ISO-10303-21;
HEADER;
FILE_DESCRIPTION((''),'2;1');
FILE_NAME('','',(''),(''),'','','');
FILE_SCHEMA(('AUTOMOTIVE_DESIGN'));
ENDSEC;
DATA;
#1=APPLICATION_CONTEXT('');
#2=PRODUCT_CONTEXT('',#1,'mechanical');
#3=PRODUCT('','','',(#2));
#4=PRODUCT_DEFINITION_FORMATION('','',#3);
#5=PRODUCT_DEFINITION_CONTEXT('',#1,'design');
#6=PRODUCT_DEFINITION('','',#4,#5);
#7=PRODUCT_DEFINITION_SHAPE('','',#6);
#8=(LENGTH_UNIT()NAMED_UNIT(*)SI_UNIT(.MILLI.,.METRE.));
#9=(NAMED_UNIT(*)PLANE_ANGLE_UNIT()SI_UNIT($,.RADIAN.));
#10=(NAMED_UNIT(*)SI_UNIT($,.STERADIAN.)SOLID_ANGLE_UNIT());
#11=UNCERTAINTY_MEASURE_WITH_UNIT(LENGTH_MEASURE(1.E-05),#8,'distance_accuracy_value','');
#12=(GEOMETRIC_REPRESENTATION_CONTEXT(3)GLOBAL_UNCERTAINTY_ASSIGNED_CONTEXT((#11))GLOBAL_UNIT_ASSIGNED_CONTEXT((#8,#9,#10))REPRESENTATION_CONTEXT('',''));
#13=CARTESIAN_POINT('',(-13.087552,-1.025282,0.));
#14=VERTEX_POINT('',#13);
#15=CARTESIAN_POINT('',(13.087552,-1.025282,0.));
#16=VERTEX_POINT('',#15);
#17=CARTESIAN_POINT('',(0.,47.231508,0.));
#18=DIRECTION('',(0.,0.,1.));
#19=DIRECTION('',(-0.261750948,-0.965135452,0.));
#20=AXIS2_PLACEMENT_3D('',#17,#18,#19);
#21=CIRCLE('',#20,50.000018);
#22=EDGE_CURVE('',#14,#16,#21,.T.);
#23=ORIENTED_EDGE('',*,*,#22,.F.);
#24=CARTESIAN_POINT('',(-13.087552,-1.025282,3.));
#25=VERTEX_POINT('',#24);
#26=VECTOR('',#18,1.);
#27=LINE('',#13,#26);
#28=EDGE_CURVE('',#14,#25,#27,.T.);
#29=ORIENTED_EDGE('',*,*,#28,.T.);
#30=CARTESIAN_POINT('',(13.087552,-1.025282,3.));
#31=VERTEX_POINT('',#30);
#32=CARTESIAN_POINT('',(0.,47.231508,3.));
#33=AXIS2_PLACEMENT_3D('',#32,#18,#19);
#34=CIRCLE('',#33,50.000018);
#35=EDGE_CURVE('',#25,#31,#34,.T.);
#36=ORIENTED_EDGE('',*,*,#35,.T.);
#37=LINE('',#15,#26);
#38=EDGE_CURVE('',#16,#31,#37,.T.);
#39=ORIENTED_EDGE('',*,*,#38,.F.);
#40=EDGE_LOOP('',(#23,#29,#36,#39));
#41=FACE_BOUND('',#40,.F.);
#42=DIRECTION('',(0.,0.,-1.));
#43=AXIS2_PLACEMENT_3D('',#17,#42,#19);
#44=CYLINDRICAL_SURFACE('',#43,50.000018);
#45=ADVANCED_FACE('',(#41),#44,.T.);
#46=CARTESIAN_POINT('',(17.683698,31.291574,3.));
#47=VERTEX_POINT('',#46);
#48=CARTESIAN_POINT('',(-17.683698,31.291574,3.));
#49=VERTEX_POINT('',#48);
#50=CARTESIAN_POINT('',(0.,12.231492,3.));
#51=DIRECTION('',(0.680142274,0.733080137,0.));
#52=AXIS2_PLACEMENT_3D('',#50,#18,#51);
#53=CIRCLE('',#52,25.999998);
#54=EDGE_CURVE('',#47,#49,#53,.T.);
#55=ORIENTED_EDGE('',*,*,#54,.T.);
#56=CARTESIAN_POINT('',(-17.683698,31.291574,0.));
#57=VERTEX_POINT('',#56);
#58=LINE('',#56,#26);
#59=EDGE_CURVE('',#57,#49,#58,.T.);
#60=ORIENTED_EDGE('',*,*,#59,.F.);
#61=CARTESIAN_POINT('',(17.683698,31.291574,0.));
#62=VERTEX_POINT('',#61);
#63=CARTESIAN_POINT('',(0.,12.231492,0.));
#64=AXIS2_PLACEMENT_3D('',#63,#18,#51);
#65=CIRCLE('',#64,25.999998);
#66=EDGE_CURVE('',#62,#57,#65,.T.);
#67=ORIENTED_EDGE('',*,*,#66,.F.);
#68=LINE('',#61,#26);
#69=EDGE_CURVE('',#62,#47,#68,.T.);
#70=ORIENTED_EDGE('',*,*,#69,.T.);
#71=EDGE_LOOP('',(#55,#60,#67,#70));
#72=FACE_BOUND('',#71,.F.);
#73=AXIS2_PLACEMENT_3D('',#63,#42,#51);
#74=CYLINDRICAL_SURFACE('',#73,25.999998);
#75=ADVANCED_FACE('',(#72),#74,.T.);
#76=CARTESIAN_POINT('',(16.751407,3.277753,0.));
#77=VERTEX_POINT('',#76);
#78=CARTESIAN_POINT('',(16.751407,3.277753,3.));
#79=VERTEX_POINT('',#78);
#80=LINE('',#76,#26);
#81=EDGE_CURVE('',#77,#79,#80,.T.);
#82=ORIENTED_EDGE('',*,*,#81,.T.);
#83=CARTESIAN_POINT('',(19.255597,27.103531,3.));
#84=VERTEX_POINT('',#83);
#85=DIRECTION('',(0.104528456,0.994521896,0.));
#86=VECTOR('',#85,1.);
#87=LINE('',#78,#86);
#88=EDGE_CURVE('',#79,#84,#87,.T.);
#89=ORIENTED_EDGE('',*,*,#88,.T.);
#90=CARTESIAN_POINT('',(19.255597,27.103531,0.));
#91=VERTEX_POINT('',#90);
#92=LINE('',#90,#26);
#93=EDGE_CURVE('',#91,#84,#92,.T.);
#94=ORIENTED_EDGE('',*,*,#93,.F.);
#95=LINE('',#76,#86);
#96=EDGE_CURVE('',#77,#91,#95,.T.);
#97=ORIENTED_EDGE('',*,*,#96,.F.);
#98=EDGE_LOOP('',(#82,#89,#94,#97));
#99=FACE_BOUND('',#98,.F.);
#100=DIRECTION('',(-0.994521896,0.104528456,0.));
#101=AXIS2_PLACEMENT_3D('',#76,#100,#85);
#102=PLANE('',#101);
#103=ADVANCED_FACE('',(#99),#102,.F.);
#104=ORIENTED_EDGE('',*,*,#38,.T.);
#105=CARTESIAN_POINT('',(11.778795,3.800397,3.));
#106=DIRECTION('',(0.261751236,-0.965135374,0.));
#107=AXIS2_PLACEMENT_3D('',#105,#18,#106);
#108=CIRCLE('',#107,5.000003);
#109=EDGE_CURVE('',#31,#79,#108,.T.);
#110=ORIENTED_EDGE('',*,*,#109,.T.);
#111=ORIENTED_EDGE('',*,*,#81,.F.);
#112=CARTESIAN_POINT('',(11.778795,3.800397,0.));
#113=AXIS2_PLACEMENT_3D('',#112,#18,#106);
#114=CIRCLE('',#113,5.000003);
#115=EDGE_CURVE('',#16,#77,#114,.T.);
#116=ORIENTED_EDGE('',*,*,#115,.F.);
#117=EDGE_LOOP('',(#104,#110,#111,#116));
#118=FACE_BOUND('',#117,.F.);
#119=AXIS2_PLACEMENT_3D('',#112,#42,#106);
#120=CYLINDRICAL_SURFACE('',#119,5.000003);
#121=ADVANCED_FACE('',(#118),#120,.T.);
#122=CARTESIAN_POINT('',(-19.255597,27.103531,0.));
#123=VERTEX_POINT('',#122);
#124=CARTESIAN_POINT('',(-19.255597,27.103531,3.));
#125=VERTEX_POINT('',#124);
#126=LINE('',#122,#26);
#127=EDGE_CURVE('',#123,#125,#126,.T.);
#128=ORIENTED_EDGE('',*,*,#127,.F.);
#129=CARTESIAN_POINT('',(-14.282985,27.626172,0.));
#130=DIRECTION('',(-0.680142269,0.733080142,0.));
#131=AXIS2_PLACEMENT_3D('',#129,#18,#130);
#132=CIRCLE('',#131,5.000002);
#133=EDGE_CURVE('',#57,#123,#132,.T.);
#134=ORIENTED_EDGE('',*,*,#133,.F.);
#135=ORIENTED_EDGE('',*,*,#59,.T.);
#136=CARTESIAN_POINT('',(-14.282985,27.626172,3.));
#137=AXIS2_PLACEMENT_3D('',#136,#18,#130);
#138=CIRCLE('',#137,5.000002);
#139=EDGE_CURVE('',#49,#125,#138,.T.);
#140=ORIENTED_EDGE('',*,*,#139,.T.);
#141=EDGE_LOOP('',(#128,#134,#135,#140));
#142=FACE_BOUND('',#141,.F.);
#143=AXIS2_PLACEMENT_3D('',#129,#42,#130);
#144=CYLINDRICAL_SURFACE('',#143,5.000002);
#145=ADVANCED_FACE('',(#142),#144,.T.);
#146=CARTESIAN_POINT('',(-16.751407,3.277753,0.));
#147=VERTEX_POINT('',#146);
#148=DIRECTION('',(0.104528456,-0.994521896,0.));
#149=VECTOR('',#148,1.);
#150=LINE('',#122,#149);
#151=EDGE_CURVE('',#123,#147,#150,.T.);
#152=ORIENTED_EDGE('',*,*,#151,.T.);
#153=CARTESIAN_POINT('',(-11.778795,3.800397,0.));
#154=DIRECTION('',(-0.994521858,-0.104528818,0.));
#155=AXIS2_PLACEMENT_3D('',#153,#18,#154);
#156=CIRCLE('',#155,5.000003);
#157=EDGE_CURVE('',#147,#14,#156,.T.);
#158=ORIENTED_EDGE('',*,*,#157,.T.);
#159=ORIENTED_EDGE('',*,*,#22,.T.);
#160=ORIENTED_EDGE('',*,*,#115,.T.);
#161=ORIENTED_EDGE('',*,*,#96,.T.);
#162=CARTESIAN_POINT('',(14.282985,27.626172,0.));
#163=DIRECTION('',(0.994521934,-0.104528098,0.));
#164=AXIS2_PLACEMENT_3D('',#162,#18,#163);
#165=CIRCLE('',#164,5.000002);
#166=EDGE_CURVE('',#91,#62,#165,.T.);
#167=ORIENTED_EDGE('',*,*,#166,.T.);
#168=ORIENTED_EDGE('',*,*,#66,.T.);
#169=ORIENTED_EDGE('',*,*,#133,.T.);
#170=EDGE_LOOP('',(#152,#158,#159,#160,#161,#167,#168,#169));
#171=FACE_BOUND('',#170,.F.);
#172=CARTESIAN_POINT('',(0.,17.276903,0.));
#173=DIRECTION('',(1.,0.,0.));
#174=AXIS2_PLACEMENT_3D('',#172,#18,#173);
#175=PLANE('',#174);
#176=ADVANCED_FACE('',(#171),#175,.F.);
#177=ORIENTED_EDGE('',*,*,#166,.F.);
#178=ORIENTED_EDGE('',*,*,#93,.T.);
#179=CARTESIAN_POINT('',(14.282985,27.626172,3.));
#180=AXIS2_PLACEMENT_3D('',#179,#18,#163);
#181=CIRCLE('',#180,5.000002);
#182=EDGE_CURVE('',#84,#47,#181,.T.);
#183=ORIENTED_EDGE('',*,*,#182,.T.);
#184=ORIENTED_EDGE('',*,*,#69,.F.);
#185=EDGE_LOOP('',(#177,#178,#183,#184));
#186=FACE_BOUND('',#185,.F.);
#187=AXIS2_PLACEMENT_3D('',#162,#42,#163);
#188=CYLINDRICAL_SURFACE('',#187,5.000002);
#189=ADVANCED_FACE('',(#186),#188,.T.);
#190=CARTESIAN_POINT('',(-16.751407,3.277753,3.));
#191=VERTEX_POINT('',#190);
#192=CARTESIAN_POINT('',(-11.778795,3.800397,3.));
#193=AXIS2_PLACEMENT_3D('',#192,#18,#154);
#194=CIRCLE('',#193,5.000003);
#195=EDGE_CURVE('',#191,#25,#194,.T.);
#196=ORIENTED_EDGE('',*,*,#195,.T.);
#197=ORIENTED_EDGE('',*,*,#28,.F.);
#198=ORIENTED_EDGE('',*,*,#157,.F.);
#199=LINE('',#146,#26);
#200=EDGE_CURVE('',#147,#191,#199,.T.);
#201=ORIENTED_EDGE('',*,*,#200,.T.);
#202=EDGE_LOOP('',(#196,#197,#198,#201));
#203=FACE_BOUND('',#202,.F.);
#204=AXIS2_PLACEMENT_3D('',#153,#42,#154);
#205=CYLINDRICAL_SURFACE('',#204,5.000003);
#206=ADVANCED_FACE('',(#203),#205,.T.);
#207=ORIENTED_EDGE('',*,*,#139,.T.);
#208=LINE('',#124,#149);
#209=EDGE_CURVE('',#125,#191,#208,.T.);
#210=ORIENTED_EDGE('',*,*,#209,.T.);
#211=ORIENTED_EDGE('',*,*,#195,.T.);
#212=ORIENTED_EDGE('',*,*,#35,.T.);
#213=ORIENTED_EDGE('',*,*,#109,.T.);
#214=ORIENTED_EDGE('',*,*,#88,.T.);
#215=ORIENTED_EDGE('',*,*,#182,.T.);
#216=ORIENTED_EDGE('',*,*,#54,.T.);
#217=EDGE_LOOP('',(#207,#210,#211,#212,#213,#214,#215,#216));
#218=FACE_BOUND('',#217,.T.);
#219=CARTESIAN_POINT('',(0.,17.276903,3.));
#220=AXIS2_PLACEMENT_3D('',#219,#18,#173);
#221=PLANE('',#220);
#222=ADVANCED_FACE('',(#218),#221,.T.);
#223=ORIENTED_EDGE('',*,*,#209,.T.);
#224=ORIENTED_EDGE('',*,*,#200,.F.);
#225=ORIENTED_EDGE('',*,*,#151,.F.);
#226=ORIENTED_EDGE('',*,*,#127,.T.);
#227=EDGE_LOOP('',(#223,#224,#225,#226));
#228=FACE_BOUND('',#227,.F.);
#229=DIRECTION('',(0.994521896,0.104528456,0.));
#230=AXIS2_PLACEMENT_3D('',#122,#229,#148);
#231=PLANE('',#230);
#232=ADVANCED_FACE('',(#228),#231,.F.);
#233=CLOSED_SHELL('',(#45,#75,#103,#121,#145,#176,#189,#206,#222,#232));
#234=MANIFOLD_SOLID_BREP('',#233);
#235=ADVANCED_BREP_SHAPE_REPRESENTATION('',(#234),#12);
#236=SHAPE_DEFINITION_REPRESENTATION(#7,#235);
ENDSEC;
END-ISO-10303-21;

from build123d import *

# Parameters (mm, degrees)
F1_DEPTH = 3


with BuildPart() as f1:
    # F0 (on Top) → F1 (new body)
    with BuildSketch(Plane.XY):
        with BuildLine():
            Line((-19.255597, 27.103531), (-16.751407, 3.277753))
            ThreePointArc((-16.751407, 3.277753), (-15.585753, 0.558932), (-13.087552, -1.025282))
            ThreePointArc((-13.087552, -1.025282), (0, -2.76851), (13.087552, -1.025282))
            ThreePointArc((13.087552, -1.025282), (15.585753, 0.558932), (16.751407, 3.277753))
            Line((16.751407, 3.277753), (19.255597, 27.103531))
            ThreePointArc((19.255597, 27.103531), (18.964125, 29.383144), (17.683698, 31.291574))
            ThreePointArc((17.683698, 31.291574), (0, 38.23149), (-17.683698, 31.291574))
            ThreePointArc((-17.683698, 31.291574), (-18.964125, 29.383144), (-19.255597, 27.103531))
        make_face()
    extrude(amount=F1_DEPTH)


solid = f1.part
